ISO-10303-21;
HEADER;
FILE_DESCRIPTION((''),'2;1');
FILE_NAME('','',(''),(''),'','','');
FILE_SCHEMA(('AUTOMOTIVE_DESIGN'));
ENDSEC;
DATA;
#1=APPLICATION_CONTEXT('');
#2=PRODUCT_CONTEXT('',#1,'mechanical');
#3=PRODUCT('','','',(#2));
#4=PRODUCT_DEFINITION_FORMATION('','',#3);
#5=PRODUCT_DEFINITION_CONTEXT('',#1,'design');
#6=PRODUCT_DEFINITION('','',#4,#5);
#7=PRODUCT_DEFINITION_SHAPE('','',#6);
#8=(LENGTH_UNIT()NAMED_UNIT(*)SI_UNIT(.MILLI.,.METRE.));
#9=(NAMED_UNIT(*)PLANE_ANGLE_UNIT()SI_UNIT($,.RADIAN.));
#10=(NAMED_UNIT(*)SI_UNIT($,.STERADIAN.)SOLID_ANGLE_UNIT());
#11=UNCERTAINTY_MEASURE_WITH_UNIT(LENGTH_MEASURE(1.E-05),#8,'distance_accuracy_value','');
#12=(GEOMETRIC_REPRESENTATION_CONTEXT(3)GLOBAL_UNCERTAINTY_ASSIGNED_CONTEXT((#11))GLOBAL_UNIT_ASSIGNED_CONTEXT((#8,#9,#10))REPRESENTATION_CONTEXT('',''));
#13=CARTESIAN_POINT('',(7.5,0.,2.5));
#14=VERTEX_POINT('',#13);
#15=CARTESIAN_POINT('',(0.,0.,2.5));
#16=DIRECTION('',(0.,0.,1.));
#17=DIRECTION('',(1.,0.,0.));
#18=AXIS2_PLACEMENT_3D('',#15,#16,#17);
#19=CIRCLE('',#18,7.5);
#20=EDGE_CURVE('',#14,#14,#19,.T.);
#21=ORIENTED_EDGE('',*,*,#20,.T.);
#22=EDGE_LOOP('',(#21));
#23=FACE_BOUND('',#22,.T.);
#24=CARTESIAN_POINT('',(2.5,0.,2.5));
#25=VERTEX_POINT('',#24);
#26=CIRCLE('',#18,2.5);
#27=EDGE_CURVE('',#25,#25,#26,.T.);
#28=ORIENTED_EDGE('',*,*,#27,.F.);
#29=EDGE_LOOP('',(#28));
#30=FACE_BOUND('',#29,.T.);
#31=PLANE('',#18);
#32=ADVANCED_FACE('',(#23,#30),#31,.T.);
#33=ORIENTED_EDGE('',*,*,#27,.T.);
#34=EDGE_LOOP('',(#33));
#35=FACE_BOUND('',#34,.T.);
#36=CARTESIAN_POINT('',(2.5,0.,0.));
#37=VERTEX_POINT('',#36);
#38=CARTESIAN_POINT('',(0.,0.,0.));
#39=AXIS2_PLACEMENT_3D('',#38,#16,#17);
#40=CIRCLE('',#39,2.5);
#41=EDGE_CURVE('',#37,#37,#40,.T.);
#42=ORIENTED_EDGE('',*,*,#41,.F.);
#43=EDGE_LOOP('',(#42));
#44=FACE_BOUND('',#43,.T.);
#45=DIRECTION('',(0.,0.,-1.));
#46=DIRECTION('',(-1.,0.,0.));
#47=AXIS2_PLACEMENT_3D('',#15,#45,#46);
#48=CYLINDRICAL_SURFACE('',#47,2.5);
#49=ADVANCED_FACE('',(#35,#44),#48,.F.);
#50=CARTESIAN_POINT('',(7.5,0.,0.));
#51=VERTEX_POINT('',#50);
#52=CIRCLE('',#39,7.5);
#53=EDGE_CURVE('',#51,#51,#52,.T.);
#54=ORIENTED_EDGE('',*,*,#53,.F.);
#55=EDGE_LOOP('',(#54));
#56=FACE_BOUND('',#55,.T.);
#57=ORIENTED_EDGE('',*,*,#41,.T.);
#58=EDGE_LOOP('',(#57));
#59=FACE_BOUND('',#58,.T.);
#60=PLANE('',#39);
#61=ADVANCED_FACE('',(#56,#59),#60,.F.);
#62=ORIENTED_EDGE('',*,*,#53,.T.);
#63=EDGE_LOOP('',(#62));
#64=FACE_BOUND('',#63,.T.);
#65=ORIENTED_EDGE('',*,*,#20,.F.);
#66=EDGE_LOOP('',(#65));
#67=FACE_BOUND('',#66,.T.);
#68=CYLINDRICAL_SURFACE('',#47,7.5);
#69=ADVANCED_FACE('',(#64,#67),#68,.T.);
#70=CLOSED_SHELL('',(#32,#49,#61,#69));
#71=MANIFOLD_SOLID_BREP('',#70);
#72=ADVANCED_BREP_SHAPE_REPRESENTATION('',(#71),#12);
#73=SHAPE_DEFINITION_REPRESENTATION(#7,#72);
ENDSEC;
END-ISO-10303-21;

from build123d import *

# Parameters (mm, degrees)
CROQUIS1_R              = 7.5
CROQUIS1_R_2            = 2.5
SALIENTE_EXTRUIR1_DEPTH = 2.5


with BuildPart() as part:
    # Croquis1 → Saliente-Extruir1 (new body)
    with BuildSketch(Plane.XY):
        Circle(CROQUIS1_R)
        Circle(CROQUIS1_R_2, mode=Mode.SUBTRACT)
    extrude(amount=SALIENTE_EXTRUIR1_DEPTH)


solid = part.part
